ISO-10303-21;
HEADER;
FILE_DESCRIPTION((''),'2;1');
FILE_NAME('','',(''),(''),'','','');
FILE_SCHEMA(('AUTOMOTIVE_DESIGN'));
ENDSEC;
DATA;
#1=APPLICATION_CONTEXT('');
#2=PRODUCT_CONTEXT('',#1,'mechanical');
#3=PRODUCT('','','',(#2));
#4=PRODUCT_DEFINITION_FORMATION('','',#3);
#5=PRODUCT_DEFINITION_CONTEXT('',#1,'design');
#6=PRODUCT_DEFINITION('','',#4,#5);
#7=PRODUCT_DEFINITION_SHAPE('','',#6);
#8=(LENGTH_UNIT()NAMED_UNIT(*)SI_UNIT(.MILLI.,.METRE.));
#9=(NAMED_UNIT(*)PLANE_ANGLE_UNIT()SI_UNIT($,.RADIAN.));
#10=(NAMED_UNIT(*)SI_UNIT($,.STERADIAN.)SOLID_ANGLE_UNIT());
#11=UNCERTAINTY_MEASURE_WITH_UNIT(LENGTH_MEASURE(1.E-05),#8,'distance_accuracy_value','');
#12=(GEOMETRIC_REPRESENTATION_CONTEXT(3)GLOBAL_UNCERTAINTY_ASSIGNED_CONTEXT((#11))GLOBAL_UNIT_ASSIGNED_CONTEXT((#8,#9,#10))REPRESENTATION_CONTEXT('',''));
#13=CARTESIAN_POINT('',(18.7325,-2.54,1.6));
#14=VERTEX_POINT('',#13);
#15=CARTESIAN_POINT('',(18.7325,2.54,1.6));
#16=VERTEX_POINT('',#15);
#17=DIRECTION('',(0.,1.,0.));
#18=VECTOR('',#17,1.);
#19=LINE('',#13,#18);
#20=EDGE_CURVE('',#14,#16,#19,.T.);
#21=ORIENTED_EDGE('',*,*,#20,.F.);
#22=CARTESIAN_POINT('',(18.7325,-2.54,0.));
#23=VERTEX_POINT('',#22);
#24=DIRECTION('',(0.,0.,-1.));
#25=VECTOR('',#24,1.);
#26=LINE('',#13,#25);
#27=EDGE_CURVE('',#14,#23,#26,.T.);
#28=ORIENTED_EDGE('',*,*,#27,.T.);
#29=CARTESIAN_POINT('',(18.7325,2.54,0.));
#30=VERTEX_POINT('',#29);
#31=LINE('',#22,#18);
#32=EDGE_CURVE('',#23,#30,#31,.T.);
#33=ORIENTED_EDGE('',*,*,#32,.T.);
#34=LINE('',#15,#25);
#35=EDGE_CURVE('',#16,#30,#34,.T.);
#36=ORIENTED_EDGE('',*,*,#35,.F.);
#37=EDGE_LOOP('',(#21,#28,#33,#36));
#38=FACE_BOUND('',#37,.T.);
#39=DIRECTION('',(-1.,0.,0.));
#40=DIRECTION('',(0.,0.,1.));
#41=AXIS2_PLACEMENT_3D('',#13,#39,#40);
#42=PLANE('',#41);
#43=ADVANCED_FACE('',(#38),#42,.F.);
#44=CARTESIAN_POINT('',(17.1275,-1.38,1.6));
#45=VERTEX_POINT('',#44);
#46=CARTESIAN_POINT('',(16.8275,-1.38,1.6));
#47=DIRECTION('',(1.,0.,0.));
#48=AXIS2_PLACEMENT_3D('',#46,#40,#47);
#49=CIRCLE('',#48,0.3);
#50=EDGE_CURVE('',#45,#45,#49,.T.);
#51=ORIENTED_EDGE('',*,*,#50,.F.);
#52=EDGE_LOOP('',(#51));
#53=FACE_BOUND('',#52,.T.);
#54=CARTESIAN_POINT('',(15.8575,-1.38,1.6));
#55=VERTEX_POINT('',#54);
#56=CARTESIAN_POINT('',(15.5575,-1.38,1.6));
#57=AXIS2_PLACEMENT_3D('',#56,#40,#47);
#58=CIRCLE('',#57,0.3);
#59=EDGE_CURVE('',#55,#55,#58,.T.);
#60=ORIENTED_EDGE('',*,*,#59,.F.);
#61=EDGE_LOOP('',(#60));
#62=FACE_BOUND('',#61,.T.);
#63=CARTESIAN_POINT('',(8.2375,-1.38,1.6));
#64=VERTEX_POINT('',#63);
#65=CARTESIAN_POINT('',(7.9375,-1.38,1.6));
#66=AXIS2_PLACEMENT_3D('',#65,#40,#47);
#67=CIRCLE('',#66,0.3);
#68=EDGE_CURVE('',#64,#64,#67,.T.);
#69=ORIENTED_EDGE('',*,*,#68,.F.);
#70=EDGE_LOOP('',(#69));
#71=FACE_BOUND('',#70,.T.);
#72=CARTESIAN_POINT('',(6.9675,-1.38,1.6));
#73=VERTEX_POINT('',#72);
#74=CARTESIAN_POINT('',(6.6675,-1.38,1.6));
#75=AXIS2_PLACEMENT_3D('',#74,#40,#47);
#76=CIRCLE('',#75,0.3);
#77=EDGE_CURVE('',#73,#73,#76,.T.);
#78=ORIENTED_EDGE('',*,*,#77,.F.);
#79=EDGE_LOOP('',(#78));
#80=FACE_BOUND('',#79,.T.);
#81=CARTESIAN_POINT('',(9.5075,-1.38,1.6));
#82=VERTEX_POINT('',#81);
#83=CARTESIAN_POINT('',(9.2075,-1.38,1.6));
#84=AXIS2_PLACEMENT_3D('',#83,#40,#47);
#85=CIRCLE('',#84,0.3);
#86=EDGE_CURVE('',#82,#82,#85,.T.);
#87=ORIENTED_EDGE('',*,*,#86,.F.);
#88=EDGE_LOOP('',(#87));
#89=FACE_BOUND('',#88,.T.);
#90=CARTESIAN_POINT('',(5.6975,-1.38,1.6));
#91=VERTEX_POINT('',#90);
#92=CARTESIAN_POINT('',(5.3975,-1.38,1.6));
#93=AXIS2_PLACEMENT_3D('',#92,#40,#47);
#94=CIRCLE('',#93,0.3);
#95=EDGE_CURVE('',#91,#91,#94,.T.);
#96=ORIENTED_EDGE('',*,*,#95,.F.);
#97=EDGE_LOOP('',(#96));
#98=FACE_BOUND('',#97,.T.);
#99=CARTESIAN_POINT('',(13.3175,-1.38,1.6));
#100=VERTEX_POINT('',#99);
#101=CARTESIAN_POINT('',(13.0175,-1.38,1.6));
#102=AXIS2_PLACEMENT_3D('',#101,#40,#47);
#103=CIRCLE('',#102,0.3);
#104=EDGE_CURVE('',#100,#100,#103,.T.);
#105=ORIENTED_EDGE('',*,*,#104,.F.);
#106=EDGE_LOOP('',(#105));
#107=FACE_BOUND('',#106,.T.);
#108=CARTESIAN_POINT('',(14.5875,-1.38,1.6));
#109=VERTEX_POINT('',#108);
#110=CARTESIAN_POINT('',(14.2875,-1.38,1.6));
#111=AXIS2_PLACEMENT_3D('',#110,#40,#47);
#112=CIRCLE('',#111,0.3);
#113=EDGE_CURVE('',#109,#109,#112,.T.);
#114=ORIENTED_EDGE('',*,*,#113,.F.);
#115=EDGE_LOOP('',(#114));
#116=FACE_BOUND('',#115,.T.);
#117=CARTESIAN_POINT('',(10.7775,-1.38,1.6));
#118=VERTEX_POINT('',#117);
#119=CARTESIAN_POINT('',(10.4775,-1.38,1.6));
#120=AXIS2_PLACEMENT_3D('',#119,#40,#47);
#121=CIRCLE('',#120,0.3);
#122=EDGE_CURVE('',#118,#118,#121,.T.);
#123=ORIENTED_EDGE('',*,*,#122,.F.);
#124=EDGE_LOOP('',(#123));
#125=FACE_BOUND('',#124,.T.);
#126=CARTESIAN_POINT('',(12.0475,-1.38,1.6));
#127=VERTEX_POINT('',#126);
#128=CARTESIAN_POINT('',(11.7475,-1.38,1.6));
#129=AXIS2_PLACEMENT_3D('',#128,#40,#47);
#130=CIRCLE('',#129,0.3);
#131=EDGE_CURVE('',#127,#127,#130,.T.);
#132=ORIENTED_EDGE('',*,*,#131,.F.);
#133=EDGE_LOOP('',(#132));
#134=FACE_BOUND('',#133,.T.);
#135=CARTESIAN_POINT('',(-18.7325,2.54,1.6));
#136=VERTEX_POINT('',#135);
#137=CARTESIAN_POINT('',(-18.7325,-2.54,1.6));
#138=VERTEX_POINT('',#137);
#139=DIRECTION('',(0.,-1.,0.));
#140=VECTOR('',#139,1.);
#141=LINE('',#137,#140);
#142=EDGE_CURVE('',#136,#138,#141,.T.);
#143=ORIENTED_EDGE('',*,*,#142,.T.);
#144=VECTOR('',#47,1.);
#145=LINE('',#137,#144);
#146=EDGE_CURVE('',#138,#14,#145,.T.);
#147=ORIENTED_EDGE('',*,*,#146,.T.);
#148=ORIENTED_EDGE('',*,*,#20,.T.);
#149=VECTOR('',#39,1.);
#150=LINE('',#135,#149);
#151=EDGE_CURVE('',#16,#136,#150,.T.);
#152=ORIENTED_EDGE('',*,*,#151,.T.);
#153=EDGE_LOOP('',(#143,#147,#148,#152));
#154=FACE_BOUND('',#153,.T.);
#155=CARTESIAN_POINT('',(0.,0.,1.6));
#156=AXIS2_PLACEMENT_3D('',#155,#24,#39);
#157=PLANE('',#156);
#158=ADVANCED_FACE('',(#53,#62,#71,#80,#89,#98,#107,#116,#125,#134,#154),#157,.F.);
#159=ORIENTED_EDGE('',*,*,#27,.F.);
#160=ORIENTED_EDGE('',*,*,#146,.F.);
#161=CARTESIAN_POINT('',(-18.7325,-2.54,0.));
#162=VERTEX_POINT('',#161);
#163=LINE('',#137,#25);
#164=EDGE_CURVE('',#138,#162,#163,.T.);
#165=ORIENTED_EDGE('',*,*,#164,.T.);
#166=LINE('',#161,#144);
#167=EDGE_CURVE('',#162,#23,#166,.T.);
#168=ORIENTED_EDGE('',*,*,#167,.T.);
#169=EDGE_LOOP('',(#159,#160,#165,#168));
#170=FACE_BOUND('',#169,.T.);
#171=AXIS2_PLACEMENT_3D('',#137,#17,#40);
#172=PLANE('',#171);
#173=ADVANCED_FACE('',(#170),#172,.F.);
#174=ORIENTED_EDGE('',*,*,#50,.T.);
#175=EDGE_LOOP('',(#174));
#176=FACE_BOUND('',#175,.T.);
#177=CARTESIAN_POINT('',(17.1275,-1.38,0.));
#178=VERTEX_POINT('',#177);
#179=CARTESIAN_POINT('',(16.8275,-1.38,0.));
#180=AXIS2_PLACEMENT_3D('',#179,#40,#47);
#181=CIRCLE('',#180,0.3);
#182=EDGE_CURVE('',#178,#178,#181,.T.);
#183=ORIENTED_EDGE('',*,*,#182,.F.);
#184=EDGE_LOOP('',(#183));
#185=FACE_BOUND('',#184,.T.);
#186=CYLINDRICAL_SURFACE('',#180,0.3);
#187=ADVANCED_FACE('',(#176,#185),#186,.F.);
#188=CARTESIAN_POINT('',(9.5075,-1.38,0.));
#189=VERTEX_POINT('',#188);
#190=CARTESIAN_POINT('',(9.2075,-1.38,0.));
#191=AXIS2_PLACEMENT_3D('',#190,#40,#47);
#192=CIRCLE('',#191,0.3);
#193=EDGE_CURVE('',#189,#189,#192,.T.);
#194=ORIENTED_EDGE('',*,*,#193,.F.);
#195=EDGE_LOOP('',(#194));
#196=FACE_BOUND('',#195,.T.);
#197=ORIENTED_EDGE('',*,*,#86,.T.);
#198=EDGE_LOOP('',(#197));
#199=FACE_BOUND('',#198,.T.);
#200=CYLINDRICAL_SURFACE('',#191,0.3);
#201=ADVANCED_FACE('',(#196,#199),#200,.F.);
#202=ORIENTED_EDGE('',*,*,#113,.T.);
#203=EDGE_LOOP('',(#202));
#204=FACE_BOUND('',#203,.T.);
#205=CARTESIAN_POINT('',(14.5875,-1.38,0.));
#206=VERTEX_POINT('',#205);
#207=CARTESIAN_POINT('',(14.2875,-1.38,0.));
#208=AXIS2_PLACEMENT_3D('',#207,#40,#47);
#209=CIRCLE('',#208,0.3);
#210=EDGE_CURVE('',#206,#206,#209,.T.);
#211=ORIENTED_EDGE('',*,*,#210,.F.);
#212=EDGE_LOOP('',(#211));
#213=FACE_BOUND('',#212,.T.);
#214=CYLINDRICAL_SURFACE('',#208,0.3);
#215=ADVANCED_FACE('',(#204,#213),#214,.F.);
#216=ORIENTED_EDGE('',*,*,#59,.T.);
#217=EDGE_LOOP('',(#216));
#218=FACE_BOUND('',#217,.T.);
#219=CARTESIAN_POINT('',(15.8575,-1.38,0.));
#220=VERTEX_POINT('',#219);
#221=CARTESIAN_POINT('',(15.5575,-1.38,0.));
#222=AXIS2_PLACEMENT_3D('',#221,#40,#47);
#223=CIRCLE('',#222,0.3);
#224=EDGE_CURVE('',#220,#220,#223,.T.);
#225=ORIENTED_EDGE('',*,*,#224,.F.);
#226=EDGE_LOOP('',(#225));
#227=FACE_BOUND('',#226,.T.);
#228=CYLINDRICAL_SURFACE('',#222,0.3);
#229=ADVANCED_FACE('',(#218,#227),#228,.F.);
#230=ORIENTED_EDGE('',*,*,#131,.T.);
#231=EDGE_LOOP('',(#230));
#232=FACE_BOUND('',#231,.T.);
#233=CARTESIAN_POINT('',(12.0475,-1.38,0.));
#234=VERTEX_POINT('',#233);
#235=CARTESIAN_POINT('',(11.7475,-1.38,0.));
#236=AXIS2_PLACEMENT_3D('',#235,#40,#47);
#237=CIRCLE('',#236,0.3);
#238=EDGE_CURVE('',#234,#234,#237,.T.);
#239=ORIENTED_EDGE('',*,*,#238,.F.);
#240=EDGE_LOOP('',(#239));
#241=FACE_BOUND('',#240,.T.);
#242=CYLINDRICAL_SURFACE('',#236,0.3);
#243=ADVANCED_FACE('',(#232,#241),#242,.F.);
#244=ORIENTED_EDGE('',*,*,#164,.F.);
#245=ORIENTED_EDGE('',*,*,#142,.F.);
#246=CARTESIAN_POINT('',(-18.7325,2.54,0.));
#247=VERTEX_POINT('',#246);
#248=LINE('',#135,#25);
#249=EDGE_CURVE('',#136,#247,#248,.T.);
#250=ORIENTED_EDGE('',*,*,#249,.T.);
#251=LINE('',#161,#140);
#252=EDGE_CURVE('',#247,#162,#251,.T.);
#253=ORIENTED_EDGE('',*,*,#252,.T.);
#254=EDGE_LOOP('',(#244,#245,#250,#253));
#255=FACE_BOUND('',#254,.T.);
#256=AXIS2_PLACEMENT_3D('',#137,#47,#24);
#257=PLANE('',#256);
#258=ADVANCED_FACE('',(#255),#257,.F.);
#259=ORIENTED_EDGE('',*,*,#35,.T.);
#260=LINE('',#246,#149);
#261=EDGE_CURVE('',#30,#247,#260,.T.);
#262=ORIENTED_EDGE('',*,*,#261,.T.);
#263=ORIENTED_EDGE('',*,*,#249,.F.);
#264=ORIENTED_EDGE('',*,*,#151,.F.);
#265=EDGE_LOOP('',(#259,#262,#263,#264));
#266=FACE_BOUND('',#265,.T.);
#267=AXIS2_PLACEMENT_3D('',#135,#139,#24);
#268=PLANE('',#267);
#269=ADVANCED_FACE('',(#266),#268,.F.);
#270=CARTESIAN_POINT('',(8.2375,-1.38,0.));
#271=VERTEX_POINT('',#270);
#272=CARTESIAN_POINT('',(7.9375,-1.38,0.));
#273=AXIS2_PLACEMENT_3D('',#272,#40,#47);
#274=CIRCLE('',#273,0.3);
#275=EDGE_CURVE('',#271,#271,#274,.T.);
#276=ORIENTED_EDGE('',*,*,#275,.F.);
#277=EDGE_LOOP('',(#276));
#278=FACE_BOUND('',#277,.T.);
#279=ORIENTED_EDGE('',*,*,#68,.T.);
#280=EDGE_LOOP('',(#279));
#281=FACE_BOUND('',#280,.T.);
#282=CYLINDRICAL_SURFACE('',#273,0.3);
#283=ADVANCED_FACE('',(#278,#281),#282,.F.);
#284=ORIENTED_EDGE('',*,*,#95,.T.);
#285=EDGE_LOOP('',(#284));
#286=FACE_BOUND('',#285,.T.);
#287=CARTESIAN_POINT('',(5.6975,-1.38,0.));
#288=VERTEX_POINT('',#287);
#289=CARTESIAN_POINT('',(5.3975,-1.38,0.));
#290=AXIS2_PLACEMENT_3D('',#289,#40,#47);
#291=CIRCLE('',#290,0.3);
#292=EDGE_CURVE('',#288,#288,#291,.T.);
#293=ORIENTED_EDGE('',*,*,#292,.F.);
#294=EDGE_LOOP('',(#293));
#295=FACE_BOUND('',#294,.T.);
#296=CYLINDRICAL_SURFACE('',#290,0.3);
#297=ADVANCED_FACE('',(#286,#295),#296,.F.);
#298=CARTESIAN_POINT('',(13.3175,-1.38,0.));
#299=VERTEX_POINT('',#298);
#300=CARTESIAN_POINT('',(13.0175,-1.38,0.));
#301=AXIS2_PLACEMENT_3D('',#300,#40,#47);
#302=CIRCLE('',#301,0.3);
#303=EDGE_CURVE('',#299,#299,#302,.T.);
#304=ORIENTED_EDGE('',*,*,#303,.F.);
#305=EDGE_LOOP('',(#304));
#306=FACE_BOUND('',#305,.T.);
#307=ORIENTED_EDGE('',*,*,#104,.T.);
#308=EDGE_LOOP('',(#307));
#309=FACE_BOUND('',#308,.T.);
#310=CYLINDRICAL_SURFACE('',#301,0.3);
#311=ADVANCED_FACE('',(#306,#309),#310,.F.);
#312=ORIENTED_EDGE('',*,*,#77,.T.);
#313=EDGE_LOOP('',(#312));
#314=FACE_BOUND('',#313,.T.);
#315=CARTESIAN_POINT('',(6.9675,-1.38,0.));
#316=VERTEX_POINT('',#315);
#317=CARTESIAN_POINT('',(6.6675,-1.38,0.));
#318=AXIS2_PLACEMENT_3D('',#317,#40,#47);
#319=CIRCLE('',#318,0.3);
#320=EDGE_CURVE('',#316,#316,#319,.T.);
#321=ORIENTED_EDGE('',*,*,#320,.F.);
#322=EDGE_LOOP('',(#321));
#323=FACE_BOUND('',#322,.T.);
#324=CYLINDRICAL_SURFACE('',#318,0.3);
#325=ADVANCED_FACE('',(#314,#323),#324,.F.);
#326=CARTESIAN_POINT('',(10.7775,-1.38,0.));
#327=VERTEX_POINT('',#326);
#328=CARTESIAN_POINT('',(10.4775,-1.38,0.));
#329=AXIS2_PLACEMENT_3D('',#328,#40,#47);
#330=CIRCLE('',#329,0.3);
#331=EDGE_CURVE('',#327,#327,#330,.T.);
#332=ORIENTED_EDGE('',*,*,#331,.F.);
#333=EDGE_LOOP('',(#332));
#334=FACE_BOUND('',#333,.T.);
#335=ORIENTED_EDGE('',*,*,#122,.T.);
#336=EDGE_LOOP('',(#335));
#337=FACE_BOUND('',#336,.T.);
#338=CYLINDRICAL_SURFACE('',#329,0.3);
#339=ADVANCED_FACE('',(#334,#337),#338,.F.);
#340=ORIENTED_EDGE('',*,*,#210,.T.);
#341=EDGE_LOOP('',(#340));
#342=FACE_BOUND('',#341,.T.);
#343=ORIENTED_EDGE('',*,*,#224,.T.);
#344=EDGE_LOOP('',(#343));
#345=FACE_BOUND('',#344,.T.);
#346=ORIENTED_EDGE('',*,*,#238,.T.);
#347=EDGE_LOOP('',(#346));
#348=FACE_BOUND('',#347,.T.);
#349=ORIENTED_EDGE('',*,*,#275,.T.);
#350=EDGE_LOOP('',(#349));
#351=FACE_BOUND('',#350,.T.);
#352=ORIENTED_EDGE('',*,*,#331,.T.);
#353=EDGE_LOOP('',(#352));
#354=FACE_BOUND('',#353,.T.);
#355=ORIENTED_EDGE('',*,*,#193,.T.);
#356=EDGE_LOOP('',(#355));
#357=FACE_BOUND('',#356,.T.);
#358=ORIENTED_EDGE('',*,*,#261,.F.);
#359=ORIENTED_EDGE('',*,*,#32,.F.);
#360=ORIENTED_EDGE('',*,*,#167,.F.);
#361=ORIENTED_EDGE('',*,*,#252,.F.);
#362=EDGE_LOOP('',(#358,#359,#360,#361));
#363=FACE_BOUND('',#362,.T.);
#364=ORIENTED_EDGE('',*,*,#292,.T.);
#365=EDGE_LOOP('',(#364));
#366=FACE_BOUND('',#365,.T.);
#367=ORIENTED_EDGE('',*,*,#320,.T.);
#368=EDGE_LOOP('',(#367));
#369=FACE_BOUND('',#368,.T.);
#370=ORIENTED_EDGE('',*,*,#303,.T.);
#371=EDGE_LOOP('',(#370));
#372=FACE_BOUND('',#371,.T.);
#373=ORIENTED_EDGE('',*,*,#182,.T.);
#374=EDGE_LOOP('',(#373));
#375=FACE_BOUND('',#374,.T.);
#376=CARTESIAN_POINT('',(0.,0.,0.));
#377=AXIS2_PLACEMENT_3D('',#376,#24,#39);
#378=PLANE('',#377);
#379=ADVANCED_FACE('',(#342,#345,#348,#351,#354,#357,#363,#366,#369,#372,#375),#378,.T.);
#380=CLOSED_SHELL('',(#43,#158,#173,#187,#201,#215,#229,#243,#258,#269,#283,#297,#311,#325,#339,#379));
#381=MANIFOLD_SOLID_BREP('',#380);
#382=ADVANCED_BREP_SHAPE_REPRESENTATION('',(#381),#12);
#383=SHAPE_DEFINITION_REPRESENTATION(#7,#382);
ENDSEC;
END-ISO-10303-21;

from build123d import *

# Parameters (mm, degrees)
SKETCH1_W           = 37.465
SKETCH1_H           = 5.08
BOSS_EXTRUDE1_DEPTH = 1.6
SKETCH2_R           = 0.3
CUT_EXTRUDE3_DEPTH  = 2.6


with BuildPart() as part:
    # Sketch1 → Boss-Extrude1 (new body)
    with BuildSketch(Plane.XY):
        Rectangle(SKETCH1_W, SKETCH1_H)
    extrude(amount=BOSS_EXTRUDE1_DEPTH)

    # Sketch2 → Cut-Extrude3 (cut, through all)
    with BuildSketch(Plane.XY.offset(1.6)):
        with Locations((5.3975, -1.38)):
            Circle(SKETCH2_R)
        with Locations((6.6675, -1.38)):
            Circle(SKETCH2_R)
        with Locations((7.9375, -1.38)):
            Circle(SKETCH2_R)
        with Locations((9.2075, -1.38)):
            Circle(SKETCH2_R)
        with Locations((10.4775, -1.38)):
            Circle(SKETCH2_R)
        with Locations((11.7475, -1.38)):
            Circle(SKETCH2_R)
        with Locations((13.0175, -1.38)):
            Circle(SKETCH2_R)
        with Locations((14.2875, -1.38)):
            Circle(SKETCH2_R)
        with Locations((15.5575, -1.38)):
            Circle(SKETCH2_R)
        with Locations((16.8275, -1.38)):
            Circle(SKETCH2_R)
    extrude(amount=-CUT_EXTRUDE3_DEPTH, mode=Mode.SUBTRACT)


solid = part.part
